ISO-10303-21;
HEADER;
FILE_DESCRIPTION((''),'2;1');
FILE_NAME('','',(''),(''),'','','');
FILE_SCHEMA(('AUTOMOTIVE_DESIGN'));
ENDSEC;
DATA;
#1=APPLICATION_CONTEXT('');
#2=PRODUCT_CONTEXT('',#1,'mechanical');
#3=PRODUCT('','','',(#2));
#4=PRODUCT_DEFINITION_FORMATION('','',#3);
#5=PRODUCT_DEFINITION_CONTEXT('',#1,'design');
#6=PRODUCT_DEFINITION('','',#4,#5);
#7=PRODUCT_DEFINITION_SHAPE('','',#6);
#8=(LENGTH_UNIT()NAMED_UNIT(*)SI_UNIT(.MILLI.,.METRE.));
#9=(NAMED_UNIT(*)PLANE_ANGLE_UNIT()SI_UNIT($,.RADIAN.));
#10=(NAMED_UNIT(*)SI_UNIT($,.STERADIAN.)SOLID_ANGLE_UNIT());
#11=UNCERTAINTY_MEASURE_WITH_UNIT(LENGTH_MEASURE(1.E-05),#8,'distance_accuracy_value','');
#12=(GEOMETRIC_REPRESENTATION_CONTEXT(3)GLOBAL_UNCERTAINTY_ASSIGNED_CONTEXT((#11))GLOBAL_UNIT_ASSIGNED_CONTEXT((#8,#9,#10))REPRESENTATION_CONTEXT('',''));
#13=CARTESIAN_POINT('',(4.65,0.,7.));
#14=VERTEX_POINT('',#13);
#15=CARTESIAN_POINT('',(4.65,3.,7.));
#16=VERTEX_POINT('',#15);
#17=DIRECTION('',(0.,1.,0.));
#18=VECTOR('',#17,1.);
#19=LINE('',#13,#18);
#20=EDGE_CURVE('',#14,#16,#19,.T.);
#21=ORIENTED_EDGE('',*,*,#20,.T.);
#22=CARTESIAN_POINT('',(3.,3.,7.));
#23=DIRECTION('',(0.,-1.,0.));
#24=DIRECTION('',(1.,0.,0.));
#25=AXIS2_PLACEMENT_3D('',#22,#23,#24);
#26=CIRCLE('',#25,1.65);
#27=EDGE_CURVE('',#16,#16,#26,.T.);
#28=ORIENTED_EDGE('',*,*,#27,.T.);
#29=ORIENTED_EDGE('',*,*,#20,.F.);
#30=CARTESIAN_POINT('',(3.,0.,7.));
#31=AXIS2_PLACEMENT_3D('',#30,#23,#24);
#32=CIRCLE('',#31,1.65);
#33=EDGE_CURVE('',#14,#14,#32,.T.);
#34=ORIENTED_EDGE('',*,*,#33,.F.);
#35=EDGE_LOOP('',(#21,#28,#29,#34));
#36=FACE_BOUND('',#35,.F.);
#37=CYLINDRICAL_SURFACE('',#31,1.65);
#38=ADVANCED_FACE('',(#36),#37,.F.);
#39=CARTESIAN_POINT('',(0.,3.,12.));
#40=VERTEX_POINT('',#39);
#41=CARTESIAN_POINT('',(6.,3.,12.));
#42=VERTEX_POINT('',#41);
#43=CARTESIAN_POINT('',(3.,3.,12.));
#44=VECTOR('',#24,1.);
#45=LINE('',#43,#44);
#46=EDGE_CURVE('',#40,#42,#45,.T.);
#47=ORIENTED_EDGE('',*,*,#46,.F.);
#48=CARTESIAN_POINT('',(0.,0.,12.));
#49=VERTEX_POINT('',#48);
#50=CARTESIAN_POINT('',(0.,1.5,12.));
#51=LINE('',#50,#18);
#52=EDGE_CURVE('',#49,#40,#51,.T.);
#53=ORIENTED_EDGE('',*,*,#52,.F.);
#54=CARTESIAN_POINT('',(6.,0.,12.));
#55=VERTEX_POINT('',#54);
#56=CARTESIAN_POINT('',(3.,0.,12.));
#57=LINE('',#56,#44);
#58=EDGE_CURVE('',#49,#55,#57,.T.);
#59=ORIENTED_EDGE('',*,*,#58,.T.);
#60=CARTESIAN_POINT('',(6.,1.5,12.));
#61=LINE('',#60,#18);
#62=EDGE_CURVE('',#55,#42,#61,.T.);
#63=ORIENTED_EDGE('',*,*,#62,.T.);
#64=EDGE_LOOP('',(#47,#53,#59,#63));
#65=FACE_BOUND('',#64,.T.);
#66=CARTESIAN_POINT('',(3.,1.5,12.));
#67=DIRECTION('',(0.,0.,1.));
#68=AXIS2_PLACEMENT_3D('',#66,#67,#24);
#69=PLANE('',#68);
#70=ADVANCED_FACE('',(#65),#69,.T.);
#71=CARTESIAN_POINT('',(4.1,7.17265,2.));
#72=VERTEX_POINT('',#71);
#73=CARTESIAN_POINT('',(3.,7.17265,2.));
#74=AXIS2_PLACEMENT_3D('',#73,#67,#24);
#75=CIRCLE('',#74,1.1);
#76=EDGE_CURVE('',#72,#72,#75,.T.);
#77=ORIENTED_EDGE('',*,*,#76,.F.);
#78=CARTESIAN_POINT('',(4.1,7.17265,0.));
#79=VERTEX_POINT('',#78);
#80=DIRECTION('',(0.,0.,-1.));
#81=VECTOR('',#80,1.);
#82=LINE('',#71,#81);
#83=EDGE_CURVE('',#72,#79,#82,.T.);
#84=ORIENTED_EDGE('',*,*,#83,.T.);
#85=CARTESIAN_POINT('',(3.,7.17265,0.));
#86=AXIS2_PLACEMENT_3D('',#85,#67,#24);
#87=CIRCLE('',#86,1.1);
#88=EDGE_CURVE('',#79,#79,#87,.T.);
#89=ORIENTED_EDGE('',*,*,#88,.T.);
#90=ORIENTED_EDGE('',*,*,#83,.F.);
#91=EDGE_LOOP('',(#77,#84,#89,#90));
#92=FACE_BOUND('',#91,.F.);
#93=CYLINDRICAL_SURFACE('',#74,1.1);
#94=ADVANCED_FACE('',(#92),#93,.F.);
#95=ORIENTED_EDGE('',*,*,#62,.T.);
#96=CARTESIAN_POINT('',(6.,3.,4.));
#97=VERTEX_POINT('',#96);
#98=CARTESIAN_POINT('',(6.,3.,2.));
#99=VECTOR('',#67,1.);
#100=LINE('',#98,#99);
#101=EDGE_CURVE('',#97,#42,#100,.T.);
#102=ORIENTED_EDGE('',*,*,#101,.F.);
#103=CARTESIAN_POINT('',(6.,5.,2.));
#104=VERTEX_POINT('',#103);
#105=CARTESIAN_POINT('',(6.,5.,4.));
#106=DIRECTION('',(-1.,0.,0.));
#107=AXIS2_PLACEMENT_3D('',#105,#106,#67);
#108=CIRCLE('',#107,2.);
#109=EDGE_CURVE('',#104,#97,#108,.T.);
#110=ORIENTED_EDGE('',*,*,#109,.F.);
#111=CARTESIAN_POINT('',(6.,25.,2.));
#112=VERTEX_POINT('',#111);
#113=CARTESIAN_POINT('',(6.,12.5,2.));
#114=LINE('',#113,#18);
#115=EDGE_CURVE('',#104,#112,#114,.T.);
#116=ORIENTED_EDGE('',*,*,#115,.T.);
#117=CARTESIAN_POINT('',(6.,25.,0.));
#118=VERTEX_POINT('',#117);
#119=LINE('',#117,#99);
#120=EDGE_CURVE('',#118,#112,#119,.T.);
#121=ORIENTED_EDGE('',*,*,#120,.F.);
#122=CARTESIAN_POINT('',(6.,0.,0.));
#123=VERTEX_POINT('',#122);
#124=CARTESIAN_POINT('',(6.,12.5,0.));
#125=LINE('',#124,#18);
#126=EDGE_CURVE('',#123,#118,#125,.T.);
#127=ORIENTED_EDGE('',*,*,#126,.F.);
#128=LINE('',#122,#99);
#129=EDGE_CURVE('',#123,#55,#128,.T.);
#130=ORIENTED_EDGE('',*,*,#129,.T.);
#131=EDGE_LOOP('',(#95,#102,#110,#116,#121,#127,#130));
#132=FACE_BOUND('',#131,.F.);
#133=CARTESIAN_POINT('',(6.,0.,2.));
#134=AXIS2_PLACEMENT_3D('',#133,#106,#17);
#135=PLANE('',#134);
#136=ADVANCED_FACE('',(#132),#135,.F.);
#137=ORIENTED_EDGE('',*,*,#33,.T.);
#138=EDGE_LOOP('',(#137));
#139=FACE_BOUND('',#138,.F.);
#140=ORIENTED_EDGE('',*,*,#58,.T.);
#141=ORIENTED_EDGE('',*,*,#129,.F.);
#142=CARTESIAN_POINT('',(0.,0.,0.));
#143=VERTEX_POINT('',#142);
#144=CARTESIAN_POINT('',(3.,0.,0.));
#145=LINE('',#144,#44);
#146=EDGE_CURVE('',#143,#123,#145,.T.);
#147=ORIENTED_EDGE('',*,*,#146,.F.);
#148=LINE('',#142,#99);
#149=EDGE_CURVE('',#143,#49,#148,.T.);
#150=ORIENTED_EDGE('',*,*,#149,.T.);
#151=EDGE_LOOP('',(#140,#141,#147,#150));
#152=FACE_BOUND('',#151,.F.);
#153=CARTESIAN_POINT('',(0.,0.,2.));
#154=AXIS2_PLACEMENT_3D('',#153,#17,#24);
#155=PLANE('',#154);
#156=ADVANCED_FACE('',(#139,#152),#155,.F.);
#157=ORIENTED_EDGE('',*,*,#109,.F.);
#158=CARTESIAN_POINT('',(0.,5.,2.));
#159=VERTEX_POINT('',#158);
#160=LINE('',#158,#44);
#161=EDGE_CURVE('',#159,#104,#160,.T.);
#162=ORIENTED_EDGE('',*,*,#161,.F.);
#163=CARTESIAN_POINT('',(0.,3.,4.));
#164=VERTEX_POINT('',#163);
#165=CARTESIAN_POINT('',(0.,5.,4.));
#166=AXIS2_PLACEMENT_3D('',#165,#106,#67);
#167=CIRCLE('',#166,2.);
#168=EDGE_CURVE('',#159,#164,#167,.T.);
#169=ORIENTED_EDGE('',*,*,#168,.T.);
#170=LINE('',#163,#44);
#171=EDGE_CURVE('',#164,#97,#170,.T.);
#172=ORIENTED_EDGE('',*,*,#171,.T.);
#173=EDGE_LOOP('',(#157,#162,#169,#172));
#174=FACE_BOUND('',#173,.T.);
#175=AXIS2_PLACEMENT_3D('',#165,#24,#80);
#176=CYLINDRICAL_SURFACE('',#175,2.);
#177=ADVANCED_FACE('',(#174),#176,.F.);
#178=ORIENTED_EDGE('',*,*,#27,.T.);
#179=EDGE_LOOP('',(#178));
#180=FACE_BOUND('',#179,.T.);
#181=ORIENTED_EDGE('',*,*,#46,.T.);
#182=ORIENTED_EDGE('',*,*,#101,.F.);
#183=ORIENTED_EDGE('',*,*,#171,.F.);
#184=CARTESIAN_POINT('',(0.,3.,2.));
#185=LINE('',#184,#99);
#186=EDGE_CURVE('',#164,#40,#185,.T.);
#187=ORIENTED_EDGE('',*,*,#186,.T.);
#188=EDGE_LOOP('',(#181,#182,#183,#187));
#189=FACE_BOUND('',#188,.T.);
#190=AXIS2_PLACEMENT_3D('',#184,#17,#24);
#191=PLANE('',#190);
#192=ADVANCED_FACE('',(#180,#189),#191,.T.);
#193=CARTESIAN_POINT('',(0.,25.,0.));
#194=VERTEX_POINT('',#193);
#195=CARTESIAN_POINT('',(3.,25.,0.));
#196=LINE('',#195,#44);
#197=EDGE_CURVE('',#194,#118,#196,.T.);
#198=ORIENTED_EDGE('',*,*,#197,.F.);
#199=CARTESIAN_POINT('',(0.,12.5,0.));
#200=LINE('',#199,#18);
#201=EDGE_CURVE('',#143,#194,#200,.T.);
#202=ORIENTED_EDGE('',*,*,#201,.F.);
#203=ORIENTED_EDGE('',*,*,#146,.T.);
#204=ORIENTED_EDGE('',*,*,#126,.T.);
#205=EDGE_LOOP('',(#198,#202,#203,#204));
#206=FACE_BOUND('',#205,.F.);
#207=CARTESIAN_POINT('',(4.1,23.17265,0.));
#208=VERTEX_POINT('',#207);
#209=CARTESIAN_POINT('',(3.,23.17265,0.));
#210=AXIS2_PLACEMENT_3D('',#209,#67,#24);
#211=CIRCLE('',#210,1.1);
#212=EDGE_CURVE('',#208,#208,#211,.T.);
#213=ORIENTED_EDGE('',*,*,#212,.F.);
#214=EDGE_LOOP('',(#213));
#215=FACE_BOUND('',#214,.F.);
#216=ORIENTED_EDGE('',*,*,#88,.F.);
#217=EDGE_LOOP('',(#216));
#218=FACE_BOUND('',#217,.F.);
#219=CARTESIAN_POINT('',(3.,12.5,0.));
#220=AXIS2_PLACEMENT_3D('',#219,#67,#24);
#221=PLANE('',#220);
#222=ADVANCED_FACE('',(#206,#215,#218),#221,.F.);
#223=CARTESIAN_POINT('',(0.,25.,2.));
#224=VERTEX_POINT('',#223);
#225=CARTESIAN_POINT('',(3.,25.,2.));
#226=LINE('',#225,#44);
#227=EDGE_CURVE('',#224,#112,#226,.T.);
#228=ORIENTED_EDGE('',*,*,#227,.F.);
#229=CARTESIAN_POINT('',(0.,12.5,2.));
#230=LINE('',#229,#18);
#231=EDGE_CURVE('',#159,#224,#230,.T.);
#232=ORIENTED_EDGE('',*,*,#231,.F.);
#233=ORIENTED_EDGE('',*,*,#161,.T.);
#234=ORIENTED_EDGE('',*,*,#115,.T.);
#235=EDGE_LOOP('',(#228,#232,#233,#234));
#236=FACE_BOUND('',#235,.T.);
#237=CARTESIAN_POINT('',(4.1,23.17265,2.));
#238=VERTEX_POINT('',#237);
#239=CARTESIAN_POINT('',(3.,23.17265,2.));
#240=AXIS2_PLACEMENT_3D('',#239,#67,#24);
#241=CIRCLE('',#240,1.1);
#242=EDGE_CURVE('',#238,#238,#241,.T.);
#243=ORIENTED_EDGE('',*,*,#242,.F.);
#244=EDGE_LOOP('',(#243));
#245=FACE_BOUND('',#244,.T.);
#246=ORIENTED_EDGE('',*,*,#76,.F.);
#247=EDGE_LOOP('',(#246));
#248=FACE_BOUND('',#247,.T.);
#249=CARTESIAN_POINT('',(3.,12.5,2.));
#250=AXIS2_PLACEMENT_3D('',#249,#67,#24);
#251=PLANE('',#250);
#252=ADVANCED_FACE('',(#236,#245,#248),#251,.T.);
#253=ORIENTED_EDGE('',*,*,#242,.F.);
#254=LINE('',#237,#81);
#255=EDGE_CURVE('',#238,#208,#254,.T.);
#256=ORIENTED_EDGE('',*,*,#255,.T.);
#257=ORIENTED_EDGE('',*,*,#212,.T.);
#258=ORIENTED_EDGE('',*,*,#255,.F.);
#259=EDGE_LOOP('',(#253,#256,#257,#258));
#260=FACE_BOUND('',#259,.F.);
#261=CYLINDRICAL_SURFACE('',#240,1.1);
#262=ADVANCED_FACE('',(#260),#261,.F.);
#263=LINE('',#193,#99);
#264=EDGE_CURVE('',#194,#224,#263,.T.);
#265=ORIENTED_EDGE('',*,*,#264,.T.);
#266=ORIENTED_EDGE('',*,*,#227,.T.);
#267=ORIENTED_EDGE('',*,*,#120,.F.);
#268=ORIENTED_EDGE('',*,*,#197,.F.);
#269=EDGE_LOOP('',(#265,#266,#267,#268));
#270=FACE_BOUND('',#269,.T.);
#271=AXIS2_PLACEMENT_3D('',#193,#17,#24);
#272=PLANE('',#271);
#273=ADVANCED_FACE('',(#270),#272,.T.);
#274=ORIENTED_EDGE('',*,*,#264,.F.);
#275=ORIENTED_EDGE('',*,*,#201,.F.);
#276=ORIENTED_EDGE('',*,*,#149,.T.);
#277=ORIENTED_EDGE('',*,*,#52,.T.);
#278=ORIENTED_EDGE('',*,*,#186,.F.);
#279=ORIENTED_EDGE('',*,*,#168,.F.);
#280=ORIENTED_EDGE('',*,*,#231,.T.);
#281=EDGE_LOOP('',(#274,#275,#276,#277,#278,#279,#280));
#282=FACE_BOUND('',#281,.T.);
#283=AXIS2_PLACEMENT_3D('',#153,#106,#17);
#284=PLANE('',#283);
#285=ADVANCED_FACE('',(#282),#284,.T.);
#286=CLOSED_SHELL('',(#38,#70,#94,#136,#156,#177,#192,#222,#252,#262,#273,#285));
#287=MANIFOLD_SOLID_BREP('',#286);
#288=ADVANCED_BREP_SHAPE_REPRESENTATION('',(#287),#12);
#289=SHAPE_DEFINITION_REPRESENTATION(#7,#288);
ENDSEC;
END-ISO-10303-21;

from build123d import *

# Parameters (mm, degrees)
SKETCH_W        = 6
SKETCH_H        = 25
PAD_DEPTH       = 2
SKETCH001_W     = 6
SKETCH001_H     = 3
PAD001_DEPTH    = 10
FILLET_R        = 2
SKETCH002_R     = 1.1
POCKET_DEPTH    = 5
SKETCH003_R     = 1.65
POCKET001_DEPTH = 5


with BuildPart() as part:
    # Sketch → Pad (new body)
    with BuildSketch(Plane.XY):
        with Locations((3, 12.5)):
            Rectangle(SKETCH_W, SKETCH_H)
    extrude(amount=PAD_DEPTH)

    # Sketch001 (on Face6 of Pad) → Pad001 (join)
    with BuildSketch(Plane.XY.offset(2)):
        with Locations((3, 1.5)):
            Rectangle(SKETCH001_W, SKETCH001_H)
    extrude(amount=PAD001_DEPTH)

    # Fillet
    fillet_edges = [part.edges().sort_by_distance(p)[0] for p in [
        (3, 3, 2),
    ]]
    fillet(fillet_edges, radius=FILLET_R)

    # Sketch002 (on Face2 of Fillet) → Pocket (cut)
    with BuildSketch(Plane.XY.offset(2)):
        with Locations((3, 23.17265)):
            Circle(SKETCH002_R)
        with Locations((3, 7.17265)):
            Circle(SKETCH002_R)
    extrude(amount=-POCKET_DEPTH, mode=Mode.SUBTRACT)

    # Sketch003 (on Face13 of Pocket) → Pocket001 (cut)
    with BuildSketch(Plane.XZ):
        with Locations((3, 7)):
            Circle(SKETCH003_R)
    extrude(amount=-POCKET001_DEPTH, mode=Mode.SUBTRACT)


solid = part.part
